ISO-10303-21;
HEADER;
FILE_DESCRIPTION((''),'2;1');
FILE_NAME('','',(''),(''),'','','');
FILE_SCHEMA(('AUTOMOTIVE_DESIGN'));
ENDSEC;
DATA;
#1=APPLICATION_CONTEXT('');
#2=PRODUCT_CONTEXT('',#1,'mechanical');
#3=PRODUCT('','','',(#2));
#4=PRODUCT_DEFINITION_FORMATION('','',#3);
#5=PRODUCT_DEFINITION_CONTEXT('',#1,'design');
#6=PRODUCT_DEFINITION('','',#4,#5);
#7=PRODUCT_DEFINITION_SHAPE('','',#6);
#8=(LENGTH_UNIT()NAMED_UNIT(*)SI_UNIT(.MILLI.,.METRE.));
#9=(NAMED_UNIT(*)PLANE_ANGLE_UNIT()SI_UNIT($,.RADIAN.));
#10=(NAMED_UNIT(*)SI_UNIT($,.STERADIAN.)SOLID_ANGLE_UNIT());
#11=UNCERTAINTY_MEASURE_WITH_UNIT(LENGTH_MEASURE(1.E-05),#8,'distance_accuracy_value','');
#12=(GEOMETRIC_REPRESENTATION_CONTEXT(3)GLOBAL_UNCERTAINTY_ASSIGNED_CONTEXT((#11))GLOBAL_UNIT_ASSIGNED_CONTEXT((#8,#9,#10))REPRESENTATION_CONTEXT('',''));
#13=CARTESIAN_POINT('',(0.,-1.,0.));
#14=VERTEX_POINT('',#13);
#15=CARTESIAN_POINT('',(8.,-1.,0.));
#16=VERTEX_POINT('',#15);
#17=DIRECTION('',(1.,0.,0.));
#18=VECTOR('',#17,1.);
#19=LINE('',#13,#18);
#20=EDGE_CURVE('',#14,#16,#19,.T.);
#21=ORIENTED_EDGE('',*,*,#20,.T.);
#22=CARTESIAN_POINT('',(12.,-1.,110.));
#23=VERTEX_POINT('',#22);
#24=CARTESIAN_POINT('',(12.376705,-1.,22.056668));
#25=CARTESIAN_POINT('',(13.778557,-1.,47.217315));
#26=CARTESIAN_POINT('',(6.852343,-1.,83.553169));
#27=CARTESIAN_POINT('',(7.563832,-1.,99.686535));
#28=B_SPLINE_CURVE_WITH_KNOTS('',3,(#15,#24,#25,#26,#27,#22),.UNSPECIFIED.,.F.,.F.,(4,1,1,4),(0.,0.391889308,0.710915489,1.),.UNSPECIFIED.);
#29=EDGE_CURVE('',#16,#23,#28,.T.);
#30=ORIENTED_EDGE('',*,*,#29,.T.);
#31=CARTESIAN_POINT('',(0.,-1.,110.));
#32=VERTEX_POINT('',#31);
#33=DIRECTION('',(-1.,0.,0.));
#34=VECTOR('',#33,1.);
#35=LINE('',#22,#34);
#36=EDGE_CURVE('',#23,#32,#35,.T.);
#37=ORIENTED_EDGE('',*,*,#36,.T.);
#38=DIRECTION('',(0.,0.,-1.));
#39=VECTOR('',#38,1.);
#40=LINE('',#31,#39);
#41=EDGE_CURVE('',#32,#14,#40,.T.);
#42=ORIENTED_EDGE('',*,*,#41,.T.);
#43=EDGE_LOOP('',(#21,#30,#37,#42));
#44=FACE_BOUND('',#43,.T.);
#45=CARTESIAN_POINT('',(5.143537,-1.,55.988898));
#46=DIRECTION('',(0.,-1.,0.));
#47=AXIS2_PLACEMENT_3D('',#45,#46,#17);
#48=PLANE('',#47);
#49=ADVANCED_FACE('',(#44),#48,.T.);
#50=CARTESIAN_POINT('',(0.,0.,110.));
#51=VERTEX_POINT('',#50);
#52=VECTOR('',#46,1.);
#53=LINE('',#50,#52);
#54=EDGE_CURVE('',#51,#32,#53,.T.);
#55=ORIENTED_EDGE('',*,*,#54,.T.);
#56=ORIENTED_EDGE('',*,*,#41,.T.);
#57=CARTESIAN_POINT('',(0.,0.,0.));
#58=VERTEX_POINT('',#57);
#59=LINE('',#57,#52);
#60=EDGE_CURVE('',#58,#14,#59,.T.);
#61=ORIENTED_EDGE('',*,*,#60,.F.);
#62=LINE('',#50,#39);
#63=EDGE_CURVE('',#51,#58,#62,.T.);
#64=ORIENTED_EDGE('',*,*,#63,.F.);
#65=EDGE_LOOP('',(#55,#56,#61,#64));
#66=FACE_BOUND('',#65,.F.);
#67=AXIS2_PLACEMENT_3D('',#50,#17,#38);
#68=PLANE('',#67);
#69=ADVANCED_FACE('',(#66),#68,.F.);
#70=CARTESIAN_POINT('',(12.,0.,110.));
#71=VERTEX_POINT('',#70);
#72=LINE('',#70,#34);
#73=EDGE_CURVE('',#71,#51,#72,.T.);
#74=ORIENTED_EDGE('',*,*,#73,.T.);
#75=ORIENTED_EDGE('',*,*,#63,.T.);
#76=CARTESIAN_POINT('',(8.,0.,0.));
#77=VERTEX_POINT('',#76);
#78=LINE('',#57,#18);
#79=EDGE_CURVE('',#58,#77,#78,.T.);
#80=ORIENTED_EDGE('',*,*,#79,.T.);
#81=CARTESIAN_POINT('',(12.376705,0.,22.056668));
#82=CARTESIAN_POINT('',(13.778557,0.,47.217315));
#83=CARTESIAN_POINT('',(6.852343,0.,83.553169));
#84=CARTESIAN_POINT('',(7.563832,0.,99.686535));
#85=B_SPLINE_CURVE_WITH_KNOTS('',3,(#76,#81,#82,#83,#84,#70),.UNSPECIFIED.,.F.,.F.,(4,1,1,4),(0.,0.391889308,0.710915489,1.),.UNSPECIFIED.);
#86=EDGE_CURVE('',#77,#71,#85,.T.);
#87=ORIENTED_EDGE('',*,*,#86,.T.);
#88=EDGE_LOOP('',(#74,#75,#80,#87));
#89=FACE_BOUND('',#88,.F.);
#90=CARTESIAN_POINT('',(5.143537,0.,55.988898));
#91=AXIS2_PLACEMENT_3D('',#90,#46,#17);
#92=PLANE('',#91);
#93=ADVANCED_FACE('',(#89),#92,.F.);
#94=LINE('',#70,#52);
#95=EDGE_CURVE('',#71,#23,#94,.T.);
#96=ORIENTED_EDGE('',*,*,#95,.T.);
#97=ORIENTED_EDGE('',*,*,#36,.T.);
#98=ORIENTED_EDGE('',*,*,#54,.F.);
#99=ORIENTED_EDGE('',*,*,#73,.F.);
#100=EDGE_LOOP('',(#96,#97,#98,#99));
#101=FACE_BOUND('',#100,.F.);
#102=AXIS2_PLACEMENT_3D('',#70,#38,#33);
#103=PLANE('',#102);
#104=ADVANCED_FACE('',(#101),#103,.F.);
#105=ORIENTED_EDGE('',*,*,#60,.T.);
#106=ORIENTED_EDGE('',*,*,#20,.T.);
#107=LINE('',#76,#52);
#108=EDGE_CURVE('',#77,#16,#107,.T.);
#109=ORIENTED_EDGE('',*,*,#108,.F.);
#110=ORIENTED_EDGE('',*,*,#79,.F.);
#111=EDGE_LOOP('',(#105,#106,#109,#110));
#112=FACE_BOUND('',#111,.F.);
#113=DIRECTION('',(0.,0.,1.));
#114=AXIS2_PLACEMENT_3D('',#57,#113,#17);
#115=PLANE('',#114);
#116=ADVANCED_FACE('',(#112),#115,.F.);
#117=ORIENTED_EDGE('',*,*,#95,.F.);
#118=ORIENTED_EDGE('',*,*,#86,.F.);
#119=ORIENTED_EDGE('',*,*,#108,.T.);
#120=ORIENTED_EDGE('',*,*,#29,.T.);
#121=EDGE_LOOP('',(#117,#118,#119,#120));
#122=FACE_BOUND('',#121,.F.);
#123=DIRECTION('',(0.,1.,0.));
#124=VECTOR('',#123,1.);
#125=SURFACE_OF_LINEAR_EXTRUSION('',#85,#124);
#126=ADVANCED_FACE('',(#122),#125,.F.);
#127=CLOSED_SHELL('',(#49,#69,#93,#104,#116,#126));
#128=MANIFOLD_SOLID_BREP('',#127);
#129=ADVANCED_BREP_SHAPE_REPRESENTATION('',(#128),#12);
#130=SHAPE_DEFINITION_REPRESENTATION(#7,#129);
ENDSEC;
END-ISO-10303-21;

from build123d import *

# Parameters (mm, degrees)
F1_DEPTH = 1


with BuildPart() as f1:
    # F0 (on Front) → F1 (new body)
    with BuildSketch(Plane.XZ):
        with BuildLine():
            Line((0, 110), (0, 0))
            Line((0, 0), (8, 0))
            add(Edge.make_bspline(
                [(8, 0), (12.3767052589, 22.0566682106), (13.7785573957, 47.2173150366), (6.8523428061, 83.5531686105), (7.5638320173, 99.6865350834), (12, 110)],
                knots=[0, 0, 0, 0, 0.3918893078, 0.7109154887, 1, 1, 1, 1], degree=3))
            Line((12, 110), (0, 110))
        make_face()
    extrude(amount=F1_DEPTH)


solid = f1.part
